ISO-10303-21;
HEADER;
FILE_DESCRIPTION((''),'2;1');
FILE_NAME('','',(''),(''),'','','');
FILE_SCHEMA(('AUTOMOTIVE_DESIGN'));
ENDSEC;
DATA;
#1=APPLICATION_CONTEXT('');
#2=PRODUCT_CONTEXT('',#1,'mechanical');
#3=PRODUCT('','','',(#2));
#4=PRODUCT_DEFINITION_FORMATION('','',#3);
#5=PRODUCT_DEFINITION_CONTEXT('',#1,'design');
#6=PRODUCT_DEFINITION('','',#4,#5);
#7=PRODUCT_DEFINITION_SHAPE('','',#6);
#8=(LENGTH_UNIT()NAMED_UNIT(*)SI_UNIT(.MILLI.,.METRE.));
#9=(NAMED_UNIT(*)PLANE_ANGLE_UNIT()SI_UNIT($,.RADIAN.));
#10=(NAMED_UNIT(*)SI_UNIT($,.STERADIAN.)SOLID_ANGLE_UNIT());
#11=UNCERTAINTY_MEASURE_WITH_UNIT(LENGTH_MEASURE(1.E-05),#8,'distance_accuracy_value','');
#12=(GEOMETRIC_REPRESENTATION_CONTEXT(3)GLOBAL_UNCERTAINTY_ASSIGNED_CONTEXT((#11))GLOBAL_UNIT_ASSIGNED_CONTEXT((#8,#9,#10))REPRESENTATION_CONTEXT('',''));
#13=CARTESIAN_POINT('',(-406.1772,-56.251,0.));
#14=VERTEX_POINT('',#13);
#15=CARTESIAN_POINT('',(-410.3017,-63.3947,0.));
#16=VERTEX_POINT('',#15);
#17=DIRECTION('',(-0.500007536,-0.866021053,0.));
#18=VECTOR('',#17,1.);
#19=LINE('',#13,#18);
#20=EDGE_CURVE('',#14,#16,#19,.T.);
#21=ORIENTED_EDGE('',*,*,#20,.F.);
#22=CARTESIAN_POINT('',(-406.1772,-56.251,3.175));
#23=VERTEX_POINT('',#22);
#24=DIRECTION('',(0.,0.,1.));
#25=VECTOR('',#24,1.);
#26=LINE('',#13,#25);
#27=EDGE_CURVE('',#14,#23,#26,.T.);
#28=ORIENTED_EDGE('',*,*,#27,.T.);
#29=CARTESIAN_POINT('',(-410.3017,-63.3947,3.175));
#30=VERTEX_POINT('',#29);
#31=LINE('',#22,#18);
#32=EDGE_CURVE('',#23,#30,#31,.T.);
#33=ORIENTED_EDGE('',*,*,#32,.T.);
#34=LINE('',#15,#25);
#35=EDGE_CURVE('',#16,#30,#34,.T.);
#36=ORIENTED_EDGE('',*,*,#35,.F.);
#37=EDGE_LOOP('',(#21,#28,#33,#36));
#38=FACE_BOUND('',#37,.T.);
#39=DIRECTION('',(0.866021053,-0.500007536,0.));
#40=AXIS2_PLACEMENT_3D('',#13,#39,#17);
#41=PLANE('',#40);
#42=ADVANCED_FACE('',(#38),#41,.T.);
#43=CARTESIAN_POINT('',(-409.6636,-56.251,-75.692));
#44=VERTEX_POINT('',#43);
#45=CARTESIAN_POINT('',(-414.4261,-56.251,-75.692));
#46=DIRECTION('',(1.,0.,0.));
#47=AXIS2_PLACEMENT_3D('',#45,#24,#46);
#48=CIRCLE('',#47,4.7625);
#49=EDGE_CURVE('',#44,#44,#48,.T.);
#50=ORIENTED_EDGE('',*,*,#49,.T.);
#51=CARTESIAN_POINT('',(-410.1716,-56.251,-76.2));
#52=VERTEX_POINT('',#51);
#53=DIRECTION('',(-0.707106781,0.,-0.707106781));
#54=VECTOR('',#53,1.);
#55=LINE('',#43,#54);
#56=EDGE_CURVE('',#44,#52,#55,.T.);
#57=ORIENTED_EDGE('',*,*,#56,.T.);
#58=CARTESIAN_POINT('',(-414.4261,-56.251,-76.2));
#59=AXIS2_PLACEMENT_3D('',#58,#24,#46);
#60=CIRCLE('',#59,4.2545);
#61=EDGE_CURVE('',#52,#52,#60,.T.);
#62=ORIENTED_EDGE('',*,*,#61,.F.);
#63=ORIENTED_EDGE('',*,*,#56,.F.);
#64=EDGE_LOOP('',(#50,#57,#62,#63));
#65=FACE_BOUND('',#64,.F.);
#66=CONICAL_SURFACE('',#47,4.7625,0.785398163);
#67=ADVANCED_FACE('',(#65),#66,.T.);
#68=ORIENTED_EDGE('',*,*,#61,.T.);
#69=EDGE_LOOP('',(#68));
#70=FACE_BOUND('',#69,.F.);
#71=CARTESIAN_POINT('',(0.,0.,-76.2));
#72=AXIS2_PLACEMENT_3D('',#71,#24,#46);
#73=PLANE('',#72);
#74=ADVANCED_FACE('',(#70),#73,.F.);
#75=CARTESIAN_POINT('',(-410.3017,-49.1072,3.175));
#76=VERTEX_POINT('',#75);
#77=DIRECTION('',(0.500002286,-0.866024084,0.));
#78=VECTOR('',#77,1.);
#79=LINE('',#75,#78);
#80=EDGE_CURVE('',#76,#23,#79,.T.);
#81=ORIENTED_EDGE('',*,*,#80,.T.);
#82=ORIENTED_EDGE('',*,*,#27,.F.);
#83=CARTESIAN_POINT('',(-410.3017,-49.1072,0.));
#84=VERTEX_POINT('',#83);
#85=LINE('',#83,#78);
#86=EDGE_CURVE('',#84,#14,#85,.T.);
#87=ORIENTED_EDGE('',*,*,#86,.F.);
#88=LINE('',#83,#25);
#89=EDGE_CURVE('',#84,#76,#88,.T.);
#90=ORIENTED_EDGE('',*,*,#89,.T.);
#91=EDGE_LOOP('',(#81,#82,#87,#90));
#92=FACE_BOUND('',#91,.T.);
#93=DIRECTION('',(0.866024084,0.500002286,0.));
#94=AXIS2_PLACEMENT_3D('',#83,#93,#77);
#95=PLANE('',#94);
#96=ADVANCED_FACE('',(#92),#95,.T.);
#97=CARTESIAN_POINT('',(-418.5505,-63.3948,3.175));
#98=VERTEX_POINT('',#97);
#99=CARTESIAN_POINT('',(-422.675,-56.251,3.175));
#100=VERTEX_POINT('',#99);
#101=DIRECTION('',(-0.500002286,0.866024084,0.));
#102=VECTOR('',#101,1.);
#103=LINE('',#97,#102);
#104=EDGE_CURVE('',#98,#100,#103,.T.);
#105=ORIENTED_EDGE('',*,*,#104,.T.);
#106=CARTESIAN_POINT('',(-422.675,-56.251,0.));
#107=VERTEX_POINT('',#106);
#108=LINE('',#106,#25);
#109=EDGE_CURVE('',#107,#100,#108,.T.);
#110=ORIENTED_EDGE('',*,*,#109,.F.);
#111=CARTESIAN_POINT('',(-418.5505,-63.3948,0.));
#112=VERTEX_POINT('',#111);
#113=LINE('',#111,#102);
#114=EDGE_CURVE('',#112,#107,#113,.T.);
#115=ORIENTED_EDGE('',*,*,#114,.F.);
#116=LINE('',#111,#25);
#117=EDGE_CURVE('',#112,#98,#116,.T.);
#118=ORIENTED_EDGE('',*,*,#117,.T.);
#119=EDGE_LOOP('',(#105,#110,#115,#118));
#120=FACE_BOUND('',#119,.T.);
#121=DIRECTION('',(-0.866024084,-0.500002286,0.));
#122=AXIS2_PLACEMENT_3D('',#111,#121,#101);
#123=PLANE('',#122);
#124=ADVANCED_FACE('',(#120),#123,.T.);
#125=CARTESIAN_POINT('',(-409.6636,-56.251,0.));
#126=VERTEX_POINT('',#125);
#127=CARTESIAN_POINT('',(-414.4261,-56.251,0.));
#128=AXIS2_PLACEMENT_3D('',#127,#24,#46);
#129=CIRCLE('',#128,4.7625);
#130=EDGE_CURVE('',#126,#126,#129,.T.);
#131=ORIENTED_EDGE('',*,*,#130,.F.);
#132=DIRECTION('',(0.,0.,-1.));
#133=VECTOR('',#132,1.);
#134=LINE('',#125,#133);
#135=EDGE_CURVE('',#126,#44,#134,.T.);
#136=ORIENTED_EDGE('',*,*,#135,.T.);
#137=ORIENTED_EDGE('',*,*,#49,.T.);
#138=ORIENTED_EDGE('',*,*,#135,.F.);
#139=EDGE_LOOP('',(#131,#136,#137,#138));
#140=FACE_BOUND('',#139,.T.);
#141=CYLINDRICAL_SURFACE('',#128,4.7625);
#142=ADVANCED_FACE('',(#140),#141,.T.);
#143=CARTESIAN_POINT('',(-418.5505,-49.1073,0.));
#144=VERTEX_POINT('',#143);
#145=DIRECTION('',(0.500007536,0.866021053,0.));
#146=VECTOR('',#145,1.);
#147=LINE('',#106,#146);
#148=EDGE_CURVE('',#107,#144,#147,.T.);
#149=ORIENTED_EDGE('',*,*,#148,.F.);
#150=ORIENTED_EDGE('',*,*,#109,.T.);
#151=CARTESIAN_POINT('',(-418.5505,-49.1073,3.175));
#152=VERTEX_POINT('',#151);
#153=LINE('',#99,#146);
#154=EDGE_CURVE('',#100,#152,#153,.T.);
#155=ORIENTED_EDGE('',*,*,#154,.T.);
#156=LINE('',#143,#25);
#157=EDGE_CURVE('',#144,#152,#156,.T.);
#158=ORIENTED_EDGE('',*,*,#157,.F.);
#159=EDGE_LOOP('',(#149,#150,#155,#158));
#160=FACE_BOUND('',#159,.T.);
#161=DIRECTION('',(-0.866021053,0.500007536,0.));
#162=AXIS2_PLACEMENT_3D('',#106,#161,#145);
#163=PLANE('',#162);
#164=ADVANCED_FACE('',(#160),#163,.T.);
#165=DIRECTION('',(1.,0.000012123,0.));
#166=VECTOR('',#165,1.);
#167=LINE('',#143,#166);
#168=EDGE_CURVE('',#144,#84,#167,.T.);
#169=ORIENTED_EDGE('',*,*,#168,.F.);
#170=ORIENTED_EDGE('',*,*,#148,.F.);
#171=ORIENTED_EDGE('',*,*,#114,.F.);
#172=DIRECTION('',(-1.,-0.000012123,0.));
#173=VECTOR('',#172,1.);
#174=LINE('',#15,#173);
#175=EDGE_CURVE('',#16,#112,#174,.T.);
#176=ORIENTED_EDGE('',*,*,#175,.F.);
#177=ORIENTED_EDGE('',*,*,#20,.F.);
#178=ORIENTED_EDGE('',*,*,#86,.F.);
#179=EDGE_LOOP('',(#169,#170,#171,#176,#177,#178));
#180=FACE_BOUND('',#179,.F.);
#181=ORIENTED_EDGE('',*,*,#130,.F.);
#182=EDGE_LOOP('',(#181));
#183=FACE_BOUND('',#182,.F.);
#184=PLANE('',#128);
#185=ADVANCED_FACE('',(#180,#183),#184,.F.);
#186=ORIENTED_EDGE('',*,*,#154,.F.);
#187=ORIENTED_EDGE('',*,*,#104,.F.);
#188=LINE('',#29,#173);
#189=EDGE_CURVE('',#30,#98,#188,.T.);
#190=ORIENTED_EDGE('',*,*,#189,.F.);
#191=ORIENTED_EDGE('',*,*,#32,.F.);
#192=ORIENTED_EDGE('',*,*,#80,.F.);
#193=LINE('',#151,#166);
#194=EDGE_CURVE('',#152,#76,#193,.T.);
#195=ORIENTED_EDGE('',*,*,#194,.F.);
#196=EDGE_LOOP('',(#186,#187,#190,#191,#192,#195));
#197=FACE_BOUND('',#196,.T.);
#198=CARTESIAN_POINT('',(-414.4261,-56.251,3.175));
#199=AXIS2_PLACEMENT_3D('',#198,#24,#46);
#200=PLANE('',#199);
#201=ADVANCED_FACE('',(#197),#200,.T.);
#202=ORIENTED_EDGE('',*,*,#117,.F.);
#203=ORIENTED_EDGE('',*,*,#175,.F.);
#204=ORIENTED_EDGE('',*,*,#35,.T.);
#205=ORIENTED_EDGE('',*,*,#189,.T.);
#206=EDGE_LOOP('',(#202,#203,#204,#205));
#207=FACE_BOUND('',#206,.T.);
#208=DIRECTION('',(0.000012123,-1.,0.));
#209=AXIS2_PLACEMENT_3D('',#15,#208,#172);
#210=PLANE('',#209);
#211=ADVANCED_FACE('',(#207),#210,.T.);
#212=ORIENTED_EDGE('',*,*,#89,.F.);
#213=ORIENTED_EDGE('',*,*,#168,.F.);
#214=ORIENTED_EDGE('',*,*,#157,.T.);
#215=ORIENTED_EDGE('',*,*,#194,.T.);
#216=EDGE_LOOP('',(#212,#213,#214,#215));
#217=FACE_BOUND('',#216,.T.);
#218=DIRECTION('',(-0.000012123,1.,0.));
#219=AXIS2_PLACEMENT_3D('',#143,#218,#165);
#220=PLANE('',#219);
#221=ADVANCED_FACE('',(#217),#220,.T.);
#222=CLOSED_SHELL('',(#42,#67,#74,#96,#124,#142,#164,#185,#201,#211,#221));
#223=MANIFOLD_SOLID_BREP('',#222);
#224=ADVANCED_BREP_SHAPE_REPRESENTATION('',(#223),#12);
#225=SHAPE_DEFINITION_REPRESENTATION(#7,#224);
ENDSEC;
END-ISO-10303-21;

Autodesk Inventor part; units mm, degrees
ref_plane "YZ Plane" through (0, 0, 0) normal (1, 0, 0) x (0, 1, 0)
ref_plane "XZ Plane" through (0, 0, 0) normal (0, 1, 0) x (-1, 0, 0)
ref_plane "XY Plane" through (0, 0, 0) normal (0, 0, 1) x (1, 0, 0)
sketch "Sketch1" plane through (0, 0, 0) normal (0, 0, 1) x (1, 0, 0)
  circle A0 centre (-414.4261, -56.251) radius 4.7625
  point P0 (0, 0)
  dimension "d0" = 9.525
extrude "Extrusion1" add sketch "Sketch1" against normal blind 76.2
sketch "Sketch2" plane through (-414.4261, -56.251, 0) normal (0, 0, 1) x (1, 0, 0)
  circle A0 centre (0, 0) radius 4.7625 projected
  line L0 (-8.2489, 0) -> (-4.1244, 7.1437)
  line L1 (-4.1244, 7.1437) -> (4.1244, 7.1438)
  line L2 (4.1244, 7.1438) -> (8.2489, 0)
  line L3 (8.2489, 0) -> (4.1244, -7.1437)
  line L4 (4.1244, -7.1437) -> (-4.1244, -7.1438)
  line L5 (-4.1244, -7.1438) -> (-8.2489, 0)
  point P0 (414.4261, 56.251)
  dimension "d3" = 14.2875
extrude "Extrusion2" add sketch "Sketch2" along normal blind 3.175 contours A0 | L0 L1 L2 L3 L4 L5
thread "Thread1" size "3/8-16 UNC" class "2A" standard "ANSI Unified Screw Threads" length 25.4
chamfer "Chamfer1" distance 0.508 angle 45 1 edges at (-419.1886, -56.251, -76.2)
properties part number "375 bolt x4" material "Steel"
